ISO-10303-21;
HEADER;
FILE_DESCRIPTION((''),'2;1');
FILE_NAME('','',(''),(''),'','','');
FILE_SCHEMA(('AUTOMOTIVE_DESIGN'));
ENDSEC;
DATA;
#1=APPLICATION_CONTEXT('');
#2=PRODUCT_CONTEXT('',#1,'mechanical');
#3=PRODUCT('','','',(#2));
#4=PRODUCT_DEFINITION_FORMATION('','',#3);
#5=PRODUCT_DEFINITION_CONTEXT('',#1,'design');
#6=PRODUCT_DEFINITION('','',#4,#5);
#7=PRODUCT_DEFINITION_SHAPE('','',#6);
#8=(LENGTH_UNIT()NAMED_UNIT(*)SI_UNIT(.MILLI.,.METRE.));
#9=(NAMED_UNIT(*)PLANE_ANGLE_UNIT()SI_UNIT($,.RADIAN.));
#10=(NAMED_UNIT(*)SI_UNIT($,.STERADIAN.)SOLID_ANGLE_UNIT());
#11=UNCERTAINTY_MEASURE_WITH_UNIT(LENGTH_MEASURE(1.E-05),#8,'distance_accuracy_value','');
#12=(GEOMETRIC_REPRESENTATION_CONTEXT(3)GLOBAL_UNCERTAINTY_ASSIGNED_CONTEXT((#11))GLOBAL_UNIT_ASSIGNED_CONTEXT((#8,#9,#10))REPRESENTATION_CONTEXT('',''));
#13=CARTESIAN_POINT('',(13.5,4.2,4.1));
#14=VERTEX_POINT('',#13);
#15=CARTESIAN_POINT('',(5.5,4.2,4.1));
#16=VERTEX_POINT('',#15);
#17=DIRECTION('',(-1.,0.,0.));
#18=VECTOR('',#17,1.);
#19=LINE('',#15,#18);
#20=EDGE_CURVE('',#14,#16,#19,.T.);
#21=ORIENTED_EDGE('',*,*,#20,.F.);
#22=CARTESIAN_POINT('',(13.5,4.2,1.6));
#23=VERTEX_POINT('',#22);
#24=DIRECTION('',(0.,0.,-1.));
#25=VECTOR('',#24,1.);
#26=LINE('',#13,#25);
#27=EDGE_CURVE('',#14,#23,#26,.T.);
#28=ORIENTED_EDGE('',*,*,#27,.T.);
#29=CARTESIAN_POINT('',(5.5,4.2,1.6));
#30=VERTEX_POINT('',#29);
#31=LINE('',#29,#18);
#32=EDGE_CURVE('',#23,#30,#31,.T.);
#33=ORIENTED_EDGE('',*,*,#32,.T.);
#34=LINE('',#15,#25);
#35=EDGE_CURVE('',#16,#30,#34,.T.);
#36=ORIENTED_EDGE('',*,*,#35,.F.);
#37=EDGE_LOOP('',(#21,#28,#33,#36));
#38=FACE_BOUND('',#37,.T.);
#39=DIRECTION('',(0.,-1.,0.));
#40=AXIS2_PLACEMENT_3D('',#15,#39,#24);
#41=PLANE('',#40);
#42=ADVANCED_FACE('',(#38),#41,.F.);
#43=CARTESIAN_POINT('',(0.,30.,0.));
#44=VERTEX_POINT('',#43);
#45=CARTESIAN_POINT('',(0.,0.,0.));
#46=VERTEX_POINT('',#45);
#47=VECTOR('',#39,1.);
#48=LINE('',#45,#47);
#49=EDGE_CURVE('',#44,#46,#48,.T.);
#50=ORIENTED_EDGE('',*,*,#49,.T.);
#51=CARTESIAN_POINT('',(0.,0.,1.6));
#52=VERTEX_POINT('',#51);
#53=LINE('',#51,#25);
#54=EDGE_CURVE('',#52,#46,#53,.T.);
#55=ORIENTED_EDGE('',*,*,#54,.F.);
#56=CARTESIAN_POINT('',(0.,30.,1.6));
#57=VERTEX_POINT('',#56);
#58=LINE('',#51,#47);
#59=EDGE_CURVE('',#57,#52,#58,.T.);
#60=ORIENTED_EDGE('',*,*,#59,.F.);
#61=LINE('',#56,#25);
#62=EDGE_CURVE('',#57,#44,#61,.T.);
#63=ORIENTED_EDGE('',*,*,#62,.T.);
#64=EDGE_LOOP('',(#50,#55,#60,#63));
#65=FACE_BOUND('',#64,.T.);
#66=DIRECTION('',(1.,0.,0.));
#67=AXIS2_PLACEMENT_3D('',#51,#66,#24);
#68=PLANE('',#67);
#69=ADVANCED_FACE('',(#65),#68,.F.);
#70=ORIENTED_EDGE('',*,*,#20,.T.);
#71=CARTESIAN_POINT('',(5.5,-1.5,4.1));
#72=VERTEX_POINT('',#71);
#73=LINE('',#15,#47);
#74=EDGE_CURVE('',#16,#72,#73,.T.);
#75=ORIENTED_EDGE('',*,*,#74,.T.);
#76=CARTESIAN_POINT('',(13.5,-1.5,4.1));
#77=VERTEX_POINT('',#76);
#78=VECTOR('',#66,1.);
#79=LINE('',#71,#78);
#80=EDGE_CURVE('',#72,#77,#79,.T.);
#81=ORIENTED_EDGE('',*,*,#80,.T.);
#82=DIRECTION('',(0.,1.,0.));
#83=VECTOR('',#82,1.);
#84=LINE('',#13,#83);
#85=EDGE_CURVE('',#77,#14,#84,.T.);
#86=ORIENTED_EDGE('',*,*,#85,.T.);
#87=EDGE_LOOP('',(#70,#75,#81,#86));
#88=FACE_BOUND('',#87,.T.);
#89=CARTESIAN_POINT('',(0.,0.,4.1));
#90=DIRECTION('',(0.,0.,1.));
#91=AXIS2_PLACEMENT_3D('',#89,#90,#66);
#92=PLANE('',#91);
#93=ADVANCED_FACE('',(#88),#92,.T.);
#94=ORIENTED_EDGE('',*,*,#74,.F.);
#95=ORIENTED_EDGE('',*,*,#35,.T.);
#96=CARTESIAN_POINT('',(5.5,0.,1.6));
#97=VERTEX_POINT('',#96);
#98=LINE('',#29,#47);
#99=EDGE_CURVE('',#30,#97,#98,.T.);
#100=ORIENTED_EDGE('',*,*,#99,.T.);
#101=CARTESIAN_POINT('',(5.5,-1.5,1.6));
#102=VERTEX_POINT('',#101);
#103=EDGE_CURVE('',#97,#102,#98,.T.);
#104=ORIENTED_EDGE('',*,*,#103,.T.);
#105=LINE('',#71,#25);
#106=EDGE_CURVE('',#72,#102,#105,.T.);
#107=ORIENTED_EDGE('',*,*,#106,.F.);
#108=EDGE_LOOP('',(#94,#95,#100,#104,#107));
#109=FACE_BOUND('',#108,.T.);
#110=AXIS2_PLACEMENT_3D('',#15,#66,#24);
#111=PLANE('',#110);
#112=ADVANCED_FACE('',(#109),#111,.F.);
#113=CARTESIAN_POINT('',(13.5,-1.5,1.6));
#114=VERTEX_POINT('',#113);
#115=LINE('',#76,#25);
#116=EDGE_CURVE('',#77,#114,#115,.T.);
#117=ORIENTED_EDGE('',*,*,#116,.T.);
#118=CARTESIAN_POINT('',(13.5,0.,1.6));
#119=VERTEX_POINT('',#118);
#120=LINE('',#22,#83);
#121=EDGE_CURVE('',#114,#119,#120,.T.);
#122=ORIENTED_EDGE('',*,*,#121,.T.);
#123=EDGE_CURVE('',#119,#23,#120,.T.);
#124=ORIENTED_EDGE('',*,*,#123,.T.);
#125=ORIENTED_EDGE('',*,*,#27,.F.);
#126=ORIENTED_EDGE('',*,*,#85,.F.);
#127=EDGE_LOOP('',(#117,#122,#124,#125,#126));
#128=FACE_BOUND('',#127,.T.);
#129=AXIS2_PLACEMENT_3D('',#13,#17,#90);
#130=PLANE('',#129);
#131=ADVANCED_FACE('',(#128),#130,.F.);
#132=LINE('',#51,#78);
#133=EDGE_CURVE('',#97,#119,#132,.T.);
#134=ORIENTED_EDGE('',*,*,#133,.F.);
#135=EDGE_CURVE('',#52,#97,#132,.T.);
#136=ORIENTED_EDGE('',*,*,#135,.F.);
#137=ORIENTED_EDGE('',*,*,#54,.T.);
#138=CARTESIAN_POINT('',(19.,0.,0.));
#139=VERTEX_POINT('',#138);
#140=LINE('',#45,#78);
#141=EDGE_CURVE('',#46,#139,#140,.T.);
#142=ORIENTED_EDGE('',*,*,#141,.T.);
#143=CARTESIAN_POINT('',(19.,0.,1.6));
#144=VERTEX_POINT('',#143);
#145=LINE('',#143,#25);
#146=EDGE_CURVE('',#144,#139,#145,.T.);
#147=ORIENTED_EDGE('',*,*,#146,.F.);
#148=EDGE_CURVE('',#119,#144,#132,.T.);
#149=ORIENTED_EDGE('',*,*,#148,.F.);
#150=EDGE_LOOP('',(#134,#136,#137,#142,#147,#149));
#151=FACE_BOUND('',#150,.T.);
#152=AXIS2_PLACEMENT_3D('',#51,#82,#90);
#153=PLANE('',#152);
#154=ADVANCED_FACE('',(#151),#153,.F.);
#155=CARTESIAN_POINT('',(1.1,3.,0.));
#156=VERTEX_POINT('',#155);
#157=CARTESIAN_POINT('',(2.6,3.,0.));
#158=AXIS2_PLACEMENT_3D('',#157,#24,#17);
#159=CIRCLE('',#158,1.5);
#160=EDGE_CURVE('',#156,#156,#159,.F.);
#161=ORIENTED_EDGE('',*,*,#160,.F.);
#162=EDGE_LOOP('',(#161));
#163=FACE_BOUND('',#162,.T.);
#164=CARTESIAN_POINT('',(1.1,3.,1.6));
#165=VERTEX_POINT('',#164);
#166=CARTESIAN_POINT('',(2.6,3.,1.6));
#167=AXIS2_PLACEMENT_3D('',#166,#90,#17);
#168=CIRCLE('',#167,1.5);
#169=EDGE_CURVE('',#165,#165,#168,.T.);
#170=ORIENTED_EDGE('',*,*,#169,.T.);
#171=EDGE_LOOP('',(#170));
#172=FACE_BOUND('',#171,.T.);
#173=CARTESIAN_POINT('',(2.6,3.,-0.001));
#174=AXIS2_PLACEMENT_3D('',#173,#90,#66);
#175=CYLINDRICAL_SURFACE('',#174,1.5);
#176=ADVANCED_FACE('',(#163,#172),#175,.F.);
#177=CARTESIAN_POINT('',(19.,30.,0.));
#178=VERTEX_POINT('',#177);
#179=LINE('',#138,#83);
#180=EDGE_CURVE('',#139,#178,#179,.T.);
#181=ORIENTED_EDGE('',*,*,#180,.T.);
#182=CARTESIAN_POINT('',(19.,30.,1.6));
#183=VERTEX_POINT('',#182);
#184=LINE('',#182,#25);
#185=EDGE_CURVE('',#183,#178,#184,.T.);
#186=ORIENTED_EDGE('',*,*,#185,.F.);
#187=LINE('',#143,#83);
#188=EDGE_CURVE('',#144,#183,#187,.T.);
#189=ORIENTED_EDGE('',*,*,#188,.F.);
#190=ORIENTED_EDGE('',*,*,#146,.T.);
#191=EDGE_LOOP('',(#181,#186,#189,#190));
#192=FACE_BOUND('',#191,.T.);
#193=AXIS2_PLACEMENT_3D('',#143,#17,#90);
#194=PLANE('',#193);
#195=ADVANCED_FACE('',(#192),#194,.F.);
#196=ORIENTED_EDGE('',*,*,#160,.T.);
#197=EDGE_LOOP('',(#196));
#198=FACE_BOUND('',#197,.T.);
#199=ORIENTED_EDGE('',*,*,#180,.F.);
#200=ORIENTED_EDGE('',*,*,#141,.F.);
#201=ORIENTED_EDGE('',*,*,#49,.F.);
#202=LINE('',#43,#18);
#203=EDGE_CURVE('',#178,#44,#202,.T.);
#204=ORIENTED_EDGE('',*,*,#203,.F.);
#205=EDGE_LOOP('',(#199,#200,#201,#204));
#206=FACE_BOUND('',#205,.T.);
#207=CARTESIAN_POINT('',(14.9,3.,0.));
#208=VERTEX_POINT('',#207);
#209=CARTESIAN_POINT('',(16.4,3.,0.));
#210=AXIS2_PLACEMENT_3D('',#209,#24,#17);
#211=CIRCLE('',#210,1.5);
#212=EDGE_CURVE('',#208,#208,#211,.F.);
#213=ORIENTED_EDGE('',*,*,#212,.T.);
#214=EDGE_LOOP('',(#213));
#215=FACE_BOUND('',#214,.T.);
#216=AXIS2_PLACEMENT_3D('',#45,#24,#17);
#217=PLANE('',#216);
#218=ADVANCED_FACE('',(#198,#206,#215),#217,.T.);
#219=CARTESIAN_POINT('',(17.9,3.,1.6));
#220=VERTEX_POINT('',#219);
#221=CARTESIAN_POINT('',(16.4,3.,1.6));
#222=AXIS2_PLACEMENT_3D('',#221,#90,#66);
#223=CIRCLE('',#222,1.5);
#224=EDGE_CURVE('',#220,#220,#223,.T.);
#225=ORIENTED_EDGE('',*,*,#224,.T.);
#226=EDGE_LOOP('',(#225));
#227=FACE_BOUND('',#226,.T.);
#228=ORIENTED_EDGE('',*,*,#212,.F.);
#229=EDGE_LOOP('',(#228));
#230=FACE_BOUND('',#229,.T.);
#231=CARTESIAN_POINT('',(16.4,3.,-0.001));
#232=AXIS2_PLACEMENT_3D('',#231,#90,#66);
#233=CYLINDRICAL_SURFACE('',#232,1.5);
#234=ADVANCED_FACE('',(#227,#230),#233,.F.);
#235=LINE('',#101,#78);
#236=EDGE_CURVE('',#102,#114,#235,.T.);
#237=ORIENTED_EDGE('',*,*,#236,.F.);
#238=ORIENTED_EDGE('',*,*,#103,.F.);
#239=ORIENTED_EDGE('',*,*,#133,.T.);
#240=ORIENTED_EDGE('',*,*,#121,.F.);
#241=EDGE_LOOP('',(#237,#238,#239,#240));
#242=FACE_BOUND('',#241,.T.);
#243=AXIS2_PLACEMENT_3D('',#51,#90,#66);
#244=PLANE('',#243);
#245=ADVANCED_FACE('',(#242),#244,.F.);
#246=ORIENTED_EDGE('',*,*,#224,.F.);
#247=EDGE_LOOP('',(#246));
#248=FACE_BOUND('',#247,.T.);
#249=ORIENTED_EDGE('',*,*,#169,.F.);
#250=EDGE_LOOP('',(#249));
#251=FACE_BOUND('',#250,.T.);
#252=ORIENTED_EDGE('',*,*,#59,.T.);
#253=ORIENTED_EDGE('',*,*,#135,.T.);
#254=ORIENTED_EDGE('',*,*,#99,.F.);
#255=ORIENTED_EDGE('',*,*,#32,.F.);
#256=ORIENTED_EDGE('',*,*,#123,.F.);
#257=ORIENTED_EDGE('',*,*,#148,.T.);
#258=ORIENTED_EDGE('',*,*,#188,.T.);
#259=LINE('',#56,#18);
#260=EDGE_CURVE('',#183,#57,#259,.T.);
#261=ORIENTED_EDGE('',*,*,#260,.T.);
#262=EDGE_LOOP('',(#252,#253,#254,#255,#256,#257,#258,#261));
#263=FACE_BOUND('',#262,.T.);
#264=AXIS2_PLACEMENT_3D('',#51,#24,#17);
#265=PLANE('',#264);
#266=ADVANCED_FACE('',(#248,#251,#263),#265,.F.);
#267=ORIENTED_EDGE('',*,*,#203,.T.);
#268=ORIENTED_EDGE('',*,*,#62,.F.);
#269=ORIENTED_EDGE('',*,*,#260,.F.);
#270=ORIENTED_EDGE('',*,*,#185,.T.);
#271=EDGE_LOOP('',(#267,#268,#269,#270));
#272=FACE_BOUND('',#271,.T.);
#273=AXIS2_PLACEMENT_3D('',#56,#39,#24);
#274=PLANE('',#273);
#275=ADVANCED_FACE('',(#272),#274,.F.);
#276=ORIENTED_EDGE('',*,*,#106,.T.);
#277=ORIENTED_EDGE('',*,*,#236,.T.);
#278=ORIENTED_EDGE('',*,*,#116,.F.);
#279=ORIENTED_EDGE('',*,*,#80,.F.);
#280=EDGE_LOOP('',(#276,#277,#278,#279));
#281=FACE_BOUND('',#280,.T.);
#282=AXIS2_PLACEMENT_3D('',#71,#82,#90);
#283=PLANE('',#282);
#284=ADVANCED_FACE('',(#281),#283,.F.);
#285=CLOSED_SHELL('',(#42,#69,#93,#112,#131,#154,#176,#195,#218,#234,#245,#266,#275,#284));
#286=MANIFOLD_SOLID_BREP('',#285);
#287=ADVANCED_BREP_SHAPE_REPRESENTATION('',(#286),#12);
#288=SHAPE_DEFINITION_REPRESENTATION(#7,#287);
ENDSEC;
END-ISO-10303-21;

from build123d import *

# Parameters (mm, degrees)
ESQUISSE1_W             = 19
ESQUISSE1_H             = 30
BOSS_EXTRU_1_DEPTH      = 1.6
ESQUISSE2_W             = 8
ESQUISSE2_H             = 5.7
BOSS_EXTRU_2_DEPTH      = 2.5
ENL_V_MAT_EXTRU_1_REACH = 37.598
ESQUISSE3_R             = 1.5


with BuildPart() as part:
    # Esquisse1 → Boss.-Extru.1 (new body)
    with BuildSketch(Plane.XY):
        with Locations((9.5, 15)):
            Rectangle(ESQUISSE1_W, ESQUISSE1_H)
    extrude(amount=BOSS_EXTRU_1_DEPTH)

    # Esquisse2 → Boss.-Extru.2 (add)
    with BuildSketch(Plane.XY.offset(1.6)):
        with Locations((9.5, 1.35)):
            Rectangle(ESQUISSE2_W, ESQUISSE2_H)
    extrude(amount=BOSS_EXTRU_2_DEPTH)

    # Esquisse3 → Enlèv. mat.-Extru.1 (cut, up to next)
    with BuildSketch(Plane.XY.offset(1.6), mode=Mode.PRIVATE) as enl_v_mat_extru_1_sk1:
        with Locations((16.4, 3)):
            Circle(ESQUISSE3_R)
    enl_v_mat_extru_1_tool1 = extrude(enl_v_mat_extru_1_sk1.sketch, amount=-ENL_V_MAT_EXTRU_1_REACH, mode=Mode.PRIVATE) & part.part
    # Esquisse3 → Enlèv. mat.-Extru.1 (cut, up to next)
    with BuildSketch(Plane.XY.offset(1.6), mode=Mode.PRIVATE) as enl_v_mat_extru_1_sk2:
        with Locations(Location((2.6, 3, 0), (0, 0, 180))):
            Circle(ESQUISSE3_R)
    enl_v_mat_extru_1_tool2 = extrude(enl_v_mat_extru_1_sk2.sketch, amount=-ENL_V_MAT_EXTRU_1_REACH, mode=Mode.PRIVATE) & part.part
    add(enl_v_mat_extru_1_tool1.solids().sort_by_distance((16.4, 3, 1.6))[0], mode=Mode.SUBTRACT)
    add(enl_v_mat_extru_1_tool2.solids().sort_by_distance((2.6, 3, 1.6))[0], mode=Mode.SUBTRACT)


solid = part.part
